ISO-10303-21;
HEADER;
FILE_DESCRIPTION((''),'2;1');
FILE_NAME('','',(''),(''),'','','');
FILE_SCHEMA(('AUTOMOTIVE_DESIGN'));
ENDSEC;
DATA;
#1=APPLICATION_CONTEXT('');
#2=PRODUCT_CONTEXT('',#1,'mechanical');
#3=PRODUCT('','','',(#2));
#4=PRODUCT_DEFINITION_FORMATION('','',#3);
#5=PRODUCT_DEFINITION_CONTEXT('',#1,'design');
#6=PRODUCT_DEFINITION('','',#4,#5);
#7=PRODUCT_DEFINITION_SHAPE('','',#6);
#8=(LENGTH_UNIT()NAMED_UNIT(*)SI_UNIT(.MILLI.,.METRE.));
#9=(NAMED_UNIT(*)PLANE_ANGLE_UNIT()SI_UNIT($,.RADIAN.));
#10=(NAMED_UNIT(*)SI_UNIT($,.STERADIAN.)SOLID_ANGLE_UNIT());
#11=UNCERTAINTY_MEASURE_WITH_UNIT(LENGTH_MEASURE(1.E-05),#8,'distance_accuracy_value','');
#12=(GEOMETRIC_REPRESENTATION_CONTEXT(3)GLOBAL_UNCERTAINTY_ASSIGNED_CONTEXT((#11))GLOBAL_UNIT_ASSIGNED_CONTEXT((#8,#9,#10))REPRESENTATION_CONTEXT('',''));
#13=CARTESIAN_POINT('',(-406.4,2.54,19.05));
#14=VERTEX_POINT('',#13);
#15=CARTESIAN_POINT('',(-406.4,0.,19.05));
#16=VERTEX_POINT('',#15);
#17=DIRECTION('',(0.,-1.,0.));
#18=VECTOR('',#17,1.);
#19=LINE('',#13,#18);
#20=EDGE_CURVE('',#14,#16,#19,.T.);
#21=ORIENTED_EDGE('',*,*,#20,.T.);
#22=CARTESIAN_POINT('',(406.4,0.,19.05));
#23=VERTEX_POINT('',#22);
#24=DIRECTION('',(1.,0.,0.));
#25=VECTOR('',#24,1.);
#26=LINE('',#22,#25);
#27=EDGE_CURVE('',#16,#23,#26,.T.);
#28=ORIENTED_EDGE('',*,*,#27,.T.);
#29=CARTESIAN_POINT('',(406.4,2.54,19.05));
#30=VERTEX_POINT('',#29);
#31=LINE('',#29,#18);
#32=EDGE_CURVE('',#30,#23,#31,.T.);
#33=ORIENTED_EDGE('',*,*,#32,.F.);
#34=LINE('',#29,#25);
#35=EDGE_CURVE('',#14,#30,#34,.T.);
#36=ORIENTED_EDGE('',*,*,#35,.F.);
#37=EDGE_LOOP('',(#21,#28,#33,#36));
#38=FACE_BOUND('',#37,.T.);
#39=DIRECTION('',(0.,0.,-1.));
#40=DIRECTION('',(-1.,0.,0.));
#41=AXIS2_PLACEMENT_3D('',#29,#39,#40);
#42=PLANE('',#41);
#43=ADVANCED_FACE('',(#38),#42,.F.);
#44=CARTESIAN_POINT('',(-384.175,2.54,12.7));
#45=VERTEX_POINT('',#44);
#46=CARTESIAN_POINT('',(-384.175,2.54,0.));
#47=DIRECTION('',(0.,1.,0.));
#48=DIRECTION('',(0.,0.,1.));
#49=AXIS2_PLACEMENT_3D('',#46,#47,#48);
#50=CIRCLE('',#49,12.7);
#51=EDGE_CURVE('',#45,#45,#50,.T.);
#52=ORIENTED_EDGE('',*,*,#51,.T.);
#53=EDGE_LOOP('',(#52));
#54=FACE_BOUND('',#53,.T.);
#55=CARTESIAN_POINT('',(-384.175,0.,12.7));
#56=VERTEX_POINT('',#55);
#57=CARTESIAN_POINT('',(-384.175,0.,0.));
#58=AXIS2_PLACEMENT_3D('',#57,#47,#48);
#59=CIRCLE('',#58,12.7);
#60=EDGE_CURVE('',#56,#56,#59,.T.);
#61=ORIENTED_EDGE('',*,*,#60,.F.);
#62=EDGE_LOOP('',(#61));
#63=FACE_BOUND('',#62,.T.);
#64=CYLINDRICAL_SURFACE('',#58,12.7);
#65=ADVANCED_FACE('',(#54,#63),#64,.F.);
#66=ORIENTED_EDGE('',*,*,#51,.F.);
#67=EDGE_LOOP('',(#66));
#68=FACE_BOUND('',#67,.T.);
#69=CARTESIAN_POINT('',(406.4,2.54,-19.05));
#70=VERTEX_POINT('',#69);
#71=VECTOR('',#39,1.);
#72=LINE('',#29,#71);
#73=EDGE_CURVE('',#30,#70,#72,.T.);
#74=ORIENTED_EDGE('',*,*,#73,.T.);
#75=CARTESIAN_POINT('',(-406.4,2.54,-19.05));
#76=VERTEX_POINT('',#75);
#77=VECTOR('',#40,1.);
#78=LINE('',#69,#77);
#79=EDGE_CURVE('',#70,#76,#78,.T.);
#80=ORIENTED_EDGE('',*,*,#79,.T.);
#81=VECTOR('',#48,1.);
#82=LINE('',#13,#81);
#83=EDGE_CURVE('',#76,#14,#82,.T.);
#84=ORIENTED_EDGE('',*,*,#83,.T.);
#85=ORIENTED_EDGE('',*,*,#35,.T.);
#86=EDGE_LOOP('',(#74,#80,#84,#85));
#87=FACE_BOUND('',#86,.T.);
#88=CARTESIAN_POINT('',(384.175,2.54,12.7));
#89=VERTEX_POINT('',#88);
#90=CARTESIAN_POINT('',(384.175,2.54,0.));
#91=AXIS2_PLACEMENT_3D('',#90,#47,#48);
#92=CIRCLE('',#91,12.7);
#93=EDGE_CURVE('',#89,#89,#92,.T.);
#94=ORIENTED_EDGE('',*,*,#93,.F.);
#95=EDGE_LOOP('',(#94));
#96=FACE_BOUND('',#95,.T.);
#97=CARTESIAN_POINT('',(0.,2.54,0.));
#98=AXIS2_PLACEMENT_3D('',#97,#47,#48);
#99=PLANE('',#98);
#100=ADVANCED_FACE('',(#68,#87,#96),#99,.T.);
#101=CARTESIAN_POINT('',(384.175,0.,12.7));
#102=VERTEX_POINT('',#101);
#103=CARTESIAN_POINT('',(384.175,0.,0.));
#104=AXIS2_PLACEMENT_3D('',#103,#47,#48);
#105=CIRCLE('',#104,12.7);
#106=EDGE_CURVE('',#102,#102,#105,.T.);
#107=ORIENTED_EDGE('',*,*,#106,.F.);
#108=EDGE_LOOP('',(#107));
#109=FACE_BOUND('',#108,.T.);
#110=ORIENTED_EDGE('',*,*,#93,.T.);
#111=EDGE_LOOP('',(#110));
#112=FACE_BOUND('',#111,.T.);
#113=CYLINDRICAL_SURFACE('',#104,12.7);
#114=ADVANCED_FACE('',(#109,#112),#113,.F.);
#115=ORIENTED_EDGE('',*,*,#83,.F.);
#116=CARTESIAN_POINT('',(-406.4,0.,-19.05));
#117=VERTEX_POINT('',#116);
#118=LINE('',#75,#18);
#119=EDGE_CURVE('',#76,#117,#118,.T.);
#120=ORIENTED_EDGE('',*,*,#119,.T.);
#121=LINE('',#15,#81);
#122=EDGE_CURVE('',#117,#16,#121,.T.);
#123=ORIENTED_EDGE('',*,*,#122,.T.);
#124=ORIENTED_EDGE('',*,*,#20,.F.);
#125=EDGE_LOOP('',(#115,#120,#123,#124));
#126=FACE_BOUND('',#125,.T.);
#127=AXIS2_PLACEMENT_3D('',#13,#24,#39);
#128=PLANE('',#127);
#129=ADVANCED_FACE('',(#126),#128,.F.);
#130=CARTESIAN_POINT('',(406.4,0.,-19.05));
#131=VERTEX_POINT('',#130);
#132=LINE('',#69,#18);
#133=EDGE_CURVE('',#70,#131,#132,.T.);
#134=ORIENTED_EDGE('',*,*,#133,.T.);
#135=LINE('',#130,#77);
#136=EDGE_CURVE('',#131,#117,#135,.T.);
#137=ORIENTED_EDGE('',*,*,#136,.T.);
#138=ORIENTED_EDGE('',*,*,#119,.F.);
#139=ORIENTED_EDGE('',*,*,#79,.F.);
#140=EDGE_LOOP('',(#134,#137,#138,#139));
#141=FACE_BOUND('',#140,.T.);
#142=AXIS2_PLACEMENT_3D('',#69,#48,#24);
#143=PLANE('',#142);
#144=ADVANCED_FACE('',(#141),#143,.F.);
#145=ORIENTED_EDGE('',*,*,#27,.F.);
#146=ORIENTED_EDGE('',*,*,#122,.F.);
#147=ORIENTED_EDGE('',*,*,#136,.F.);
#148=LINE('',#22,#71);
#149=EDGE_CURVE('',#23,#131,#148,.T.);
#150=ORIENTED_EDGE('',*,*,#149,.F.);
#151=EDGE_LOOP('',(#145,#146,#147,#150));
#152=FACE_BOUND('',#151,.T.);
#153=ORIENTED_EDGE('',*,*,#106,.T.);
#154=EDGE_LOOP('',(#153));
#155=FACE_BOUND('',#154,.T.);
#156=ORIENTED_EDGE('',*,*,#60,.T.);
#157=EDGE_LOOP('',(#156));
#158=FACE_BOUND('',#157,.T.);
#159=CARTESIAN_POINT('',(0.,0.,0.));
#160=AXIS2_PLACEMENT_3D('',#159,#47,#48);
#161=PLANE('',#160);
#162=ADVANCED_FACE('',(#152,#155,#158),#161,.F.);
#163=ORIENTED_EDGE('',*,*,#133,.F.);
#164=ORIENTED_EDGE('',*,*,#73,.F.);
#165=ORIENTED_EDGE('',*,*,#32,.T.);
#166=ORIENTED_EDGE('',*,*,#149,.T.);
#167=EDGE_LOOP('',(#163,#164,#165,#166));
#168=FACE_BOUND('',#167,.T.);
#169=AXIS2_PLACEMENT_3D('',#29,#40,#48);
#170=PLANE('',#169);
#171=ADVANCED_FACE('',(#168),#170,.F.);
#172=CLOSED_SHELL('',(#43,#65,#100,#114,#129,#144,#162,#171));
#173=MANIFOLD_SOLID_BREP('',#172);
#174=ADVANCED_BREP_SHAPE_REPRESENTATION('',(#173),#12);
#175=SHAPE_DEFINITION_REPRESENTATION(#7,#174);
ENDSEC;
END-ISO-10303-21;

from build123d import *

# Parameters (mm, degrees)
SKETCH1_W               = 812.8
SKETCH1_H               = 38.1
BOSS_EXTRUDE1_DEPTH     = 2.54
SKETCH2_R               = 12.7
CUT_EXTRUDE1_DEPTH      = 1
CUT_EXTRUDE1_DEPTH_BACK = 3.54


with BuildPart() as part:
    # Sketch1 → Boss-Extrude1 (new body)
    with BuildSketch(Plane(origin=(0, 0, 0), x_dir=(1, 0, 0), z_dir=(0, 1, 0))):
        Rectangle(SKETCH1_W, SKETCH1_H)
    extrude(amount=BOSS_EXTRUDE1_DEPTH)

    # Sketch2 → Cut-Extrude1 (cut, two sides)
    with BuildSketch(Plane(origin=(0, 2.54, 0), x_dir=(1, 0, 0), z_dir=(0, 1, 0))) as cut_extrude1_sk:
        with Locations((-384.175, 0)):
            Circle(SKETCH2_R)
        with Locations((384.175, 0)):
            Circle(SKETCH2_R)
    extrude(amount=CUT_EXTRUDE1_DEPTH, mode=Mode.SUBTRACT)
    extrude(cut_extrude1_sk.sketch, amount=-CUT_EXTRUDE1_DEPTH_BACK, mode=Mode.SUBTRACT)


solid = part.part
